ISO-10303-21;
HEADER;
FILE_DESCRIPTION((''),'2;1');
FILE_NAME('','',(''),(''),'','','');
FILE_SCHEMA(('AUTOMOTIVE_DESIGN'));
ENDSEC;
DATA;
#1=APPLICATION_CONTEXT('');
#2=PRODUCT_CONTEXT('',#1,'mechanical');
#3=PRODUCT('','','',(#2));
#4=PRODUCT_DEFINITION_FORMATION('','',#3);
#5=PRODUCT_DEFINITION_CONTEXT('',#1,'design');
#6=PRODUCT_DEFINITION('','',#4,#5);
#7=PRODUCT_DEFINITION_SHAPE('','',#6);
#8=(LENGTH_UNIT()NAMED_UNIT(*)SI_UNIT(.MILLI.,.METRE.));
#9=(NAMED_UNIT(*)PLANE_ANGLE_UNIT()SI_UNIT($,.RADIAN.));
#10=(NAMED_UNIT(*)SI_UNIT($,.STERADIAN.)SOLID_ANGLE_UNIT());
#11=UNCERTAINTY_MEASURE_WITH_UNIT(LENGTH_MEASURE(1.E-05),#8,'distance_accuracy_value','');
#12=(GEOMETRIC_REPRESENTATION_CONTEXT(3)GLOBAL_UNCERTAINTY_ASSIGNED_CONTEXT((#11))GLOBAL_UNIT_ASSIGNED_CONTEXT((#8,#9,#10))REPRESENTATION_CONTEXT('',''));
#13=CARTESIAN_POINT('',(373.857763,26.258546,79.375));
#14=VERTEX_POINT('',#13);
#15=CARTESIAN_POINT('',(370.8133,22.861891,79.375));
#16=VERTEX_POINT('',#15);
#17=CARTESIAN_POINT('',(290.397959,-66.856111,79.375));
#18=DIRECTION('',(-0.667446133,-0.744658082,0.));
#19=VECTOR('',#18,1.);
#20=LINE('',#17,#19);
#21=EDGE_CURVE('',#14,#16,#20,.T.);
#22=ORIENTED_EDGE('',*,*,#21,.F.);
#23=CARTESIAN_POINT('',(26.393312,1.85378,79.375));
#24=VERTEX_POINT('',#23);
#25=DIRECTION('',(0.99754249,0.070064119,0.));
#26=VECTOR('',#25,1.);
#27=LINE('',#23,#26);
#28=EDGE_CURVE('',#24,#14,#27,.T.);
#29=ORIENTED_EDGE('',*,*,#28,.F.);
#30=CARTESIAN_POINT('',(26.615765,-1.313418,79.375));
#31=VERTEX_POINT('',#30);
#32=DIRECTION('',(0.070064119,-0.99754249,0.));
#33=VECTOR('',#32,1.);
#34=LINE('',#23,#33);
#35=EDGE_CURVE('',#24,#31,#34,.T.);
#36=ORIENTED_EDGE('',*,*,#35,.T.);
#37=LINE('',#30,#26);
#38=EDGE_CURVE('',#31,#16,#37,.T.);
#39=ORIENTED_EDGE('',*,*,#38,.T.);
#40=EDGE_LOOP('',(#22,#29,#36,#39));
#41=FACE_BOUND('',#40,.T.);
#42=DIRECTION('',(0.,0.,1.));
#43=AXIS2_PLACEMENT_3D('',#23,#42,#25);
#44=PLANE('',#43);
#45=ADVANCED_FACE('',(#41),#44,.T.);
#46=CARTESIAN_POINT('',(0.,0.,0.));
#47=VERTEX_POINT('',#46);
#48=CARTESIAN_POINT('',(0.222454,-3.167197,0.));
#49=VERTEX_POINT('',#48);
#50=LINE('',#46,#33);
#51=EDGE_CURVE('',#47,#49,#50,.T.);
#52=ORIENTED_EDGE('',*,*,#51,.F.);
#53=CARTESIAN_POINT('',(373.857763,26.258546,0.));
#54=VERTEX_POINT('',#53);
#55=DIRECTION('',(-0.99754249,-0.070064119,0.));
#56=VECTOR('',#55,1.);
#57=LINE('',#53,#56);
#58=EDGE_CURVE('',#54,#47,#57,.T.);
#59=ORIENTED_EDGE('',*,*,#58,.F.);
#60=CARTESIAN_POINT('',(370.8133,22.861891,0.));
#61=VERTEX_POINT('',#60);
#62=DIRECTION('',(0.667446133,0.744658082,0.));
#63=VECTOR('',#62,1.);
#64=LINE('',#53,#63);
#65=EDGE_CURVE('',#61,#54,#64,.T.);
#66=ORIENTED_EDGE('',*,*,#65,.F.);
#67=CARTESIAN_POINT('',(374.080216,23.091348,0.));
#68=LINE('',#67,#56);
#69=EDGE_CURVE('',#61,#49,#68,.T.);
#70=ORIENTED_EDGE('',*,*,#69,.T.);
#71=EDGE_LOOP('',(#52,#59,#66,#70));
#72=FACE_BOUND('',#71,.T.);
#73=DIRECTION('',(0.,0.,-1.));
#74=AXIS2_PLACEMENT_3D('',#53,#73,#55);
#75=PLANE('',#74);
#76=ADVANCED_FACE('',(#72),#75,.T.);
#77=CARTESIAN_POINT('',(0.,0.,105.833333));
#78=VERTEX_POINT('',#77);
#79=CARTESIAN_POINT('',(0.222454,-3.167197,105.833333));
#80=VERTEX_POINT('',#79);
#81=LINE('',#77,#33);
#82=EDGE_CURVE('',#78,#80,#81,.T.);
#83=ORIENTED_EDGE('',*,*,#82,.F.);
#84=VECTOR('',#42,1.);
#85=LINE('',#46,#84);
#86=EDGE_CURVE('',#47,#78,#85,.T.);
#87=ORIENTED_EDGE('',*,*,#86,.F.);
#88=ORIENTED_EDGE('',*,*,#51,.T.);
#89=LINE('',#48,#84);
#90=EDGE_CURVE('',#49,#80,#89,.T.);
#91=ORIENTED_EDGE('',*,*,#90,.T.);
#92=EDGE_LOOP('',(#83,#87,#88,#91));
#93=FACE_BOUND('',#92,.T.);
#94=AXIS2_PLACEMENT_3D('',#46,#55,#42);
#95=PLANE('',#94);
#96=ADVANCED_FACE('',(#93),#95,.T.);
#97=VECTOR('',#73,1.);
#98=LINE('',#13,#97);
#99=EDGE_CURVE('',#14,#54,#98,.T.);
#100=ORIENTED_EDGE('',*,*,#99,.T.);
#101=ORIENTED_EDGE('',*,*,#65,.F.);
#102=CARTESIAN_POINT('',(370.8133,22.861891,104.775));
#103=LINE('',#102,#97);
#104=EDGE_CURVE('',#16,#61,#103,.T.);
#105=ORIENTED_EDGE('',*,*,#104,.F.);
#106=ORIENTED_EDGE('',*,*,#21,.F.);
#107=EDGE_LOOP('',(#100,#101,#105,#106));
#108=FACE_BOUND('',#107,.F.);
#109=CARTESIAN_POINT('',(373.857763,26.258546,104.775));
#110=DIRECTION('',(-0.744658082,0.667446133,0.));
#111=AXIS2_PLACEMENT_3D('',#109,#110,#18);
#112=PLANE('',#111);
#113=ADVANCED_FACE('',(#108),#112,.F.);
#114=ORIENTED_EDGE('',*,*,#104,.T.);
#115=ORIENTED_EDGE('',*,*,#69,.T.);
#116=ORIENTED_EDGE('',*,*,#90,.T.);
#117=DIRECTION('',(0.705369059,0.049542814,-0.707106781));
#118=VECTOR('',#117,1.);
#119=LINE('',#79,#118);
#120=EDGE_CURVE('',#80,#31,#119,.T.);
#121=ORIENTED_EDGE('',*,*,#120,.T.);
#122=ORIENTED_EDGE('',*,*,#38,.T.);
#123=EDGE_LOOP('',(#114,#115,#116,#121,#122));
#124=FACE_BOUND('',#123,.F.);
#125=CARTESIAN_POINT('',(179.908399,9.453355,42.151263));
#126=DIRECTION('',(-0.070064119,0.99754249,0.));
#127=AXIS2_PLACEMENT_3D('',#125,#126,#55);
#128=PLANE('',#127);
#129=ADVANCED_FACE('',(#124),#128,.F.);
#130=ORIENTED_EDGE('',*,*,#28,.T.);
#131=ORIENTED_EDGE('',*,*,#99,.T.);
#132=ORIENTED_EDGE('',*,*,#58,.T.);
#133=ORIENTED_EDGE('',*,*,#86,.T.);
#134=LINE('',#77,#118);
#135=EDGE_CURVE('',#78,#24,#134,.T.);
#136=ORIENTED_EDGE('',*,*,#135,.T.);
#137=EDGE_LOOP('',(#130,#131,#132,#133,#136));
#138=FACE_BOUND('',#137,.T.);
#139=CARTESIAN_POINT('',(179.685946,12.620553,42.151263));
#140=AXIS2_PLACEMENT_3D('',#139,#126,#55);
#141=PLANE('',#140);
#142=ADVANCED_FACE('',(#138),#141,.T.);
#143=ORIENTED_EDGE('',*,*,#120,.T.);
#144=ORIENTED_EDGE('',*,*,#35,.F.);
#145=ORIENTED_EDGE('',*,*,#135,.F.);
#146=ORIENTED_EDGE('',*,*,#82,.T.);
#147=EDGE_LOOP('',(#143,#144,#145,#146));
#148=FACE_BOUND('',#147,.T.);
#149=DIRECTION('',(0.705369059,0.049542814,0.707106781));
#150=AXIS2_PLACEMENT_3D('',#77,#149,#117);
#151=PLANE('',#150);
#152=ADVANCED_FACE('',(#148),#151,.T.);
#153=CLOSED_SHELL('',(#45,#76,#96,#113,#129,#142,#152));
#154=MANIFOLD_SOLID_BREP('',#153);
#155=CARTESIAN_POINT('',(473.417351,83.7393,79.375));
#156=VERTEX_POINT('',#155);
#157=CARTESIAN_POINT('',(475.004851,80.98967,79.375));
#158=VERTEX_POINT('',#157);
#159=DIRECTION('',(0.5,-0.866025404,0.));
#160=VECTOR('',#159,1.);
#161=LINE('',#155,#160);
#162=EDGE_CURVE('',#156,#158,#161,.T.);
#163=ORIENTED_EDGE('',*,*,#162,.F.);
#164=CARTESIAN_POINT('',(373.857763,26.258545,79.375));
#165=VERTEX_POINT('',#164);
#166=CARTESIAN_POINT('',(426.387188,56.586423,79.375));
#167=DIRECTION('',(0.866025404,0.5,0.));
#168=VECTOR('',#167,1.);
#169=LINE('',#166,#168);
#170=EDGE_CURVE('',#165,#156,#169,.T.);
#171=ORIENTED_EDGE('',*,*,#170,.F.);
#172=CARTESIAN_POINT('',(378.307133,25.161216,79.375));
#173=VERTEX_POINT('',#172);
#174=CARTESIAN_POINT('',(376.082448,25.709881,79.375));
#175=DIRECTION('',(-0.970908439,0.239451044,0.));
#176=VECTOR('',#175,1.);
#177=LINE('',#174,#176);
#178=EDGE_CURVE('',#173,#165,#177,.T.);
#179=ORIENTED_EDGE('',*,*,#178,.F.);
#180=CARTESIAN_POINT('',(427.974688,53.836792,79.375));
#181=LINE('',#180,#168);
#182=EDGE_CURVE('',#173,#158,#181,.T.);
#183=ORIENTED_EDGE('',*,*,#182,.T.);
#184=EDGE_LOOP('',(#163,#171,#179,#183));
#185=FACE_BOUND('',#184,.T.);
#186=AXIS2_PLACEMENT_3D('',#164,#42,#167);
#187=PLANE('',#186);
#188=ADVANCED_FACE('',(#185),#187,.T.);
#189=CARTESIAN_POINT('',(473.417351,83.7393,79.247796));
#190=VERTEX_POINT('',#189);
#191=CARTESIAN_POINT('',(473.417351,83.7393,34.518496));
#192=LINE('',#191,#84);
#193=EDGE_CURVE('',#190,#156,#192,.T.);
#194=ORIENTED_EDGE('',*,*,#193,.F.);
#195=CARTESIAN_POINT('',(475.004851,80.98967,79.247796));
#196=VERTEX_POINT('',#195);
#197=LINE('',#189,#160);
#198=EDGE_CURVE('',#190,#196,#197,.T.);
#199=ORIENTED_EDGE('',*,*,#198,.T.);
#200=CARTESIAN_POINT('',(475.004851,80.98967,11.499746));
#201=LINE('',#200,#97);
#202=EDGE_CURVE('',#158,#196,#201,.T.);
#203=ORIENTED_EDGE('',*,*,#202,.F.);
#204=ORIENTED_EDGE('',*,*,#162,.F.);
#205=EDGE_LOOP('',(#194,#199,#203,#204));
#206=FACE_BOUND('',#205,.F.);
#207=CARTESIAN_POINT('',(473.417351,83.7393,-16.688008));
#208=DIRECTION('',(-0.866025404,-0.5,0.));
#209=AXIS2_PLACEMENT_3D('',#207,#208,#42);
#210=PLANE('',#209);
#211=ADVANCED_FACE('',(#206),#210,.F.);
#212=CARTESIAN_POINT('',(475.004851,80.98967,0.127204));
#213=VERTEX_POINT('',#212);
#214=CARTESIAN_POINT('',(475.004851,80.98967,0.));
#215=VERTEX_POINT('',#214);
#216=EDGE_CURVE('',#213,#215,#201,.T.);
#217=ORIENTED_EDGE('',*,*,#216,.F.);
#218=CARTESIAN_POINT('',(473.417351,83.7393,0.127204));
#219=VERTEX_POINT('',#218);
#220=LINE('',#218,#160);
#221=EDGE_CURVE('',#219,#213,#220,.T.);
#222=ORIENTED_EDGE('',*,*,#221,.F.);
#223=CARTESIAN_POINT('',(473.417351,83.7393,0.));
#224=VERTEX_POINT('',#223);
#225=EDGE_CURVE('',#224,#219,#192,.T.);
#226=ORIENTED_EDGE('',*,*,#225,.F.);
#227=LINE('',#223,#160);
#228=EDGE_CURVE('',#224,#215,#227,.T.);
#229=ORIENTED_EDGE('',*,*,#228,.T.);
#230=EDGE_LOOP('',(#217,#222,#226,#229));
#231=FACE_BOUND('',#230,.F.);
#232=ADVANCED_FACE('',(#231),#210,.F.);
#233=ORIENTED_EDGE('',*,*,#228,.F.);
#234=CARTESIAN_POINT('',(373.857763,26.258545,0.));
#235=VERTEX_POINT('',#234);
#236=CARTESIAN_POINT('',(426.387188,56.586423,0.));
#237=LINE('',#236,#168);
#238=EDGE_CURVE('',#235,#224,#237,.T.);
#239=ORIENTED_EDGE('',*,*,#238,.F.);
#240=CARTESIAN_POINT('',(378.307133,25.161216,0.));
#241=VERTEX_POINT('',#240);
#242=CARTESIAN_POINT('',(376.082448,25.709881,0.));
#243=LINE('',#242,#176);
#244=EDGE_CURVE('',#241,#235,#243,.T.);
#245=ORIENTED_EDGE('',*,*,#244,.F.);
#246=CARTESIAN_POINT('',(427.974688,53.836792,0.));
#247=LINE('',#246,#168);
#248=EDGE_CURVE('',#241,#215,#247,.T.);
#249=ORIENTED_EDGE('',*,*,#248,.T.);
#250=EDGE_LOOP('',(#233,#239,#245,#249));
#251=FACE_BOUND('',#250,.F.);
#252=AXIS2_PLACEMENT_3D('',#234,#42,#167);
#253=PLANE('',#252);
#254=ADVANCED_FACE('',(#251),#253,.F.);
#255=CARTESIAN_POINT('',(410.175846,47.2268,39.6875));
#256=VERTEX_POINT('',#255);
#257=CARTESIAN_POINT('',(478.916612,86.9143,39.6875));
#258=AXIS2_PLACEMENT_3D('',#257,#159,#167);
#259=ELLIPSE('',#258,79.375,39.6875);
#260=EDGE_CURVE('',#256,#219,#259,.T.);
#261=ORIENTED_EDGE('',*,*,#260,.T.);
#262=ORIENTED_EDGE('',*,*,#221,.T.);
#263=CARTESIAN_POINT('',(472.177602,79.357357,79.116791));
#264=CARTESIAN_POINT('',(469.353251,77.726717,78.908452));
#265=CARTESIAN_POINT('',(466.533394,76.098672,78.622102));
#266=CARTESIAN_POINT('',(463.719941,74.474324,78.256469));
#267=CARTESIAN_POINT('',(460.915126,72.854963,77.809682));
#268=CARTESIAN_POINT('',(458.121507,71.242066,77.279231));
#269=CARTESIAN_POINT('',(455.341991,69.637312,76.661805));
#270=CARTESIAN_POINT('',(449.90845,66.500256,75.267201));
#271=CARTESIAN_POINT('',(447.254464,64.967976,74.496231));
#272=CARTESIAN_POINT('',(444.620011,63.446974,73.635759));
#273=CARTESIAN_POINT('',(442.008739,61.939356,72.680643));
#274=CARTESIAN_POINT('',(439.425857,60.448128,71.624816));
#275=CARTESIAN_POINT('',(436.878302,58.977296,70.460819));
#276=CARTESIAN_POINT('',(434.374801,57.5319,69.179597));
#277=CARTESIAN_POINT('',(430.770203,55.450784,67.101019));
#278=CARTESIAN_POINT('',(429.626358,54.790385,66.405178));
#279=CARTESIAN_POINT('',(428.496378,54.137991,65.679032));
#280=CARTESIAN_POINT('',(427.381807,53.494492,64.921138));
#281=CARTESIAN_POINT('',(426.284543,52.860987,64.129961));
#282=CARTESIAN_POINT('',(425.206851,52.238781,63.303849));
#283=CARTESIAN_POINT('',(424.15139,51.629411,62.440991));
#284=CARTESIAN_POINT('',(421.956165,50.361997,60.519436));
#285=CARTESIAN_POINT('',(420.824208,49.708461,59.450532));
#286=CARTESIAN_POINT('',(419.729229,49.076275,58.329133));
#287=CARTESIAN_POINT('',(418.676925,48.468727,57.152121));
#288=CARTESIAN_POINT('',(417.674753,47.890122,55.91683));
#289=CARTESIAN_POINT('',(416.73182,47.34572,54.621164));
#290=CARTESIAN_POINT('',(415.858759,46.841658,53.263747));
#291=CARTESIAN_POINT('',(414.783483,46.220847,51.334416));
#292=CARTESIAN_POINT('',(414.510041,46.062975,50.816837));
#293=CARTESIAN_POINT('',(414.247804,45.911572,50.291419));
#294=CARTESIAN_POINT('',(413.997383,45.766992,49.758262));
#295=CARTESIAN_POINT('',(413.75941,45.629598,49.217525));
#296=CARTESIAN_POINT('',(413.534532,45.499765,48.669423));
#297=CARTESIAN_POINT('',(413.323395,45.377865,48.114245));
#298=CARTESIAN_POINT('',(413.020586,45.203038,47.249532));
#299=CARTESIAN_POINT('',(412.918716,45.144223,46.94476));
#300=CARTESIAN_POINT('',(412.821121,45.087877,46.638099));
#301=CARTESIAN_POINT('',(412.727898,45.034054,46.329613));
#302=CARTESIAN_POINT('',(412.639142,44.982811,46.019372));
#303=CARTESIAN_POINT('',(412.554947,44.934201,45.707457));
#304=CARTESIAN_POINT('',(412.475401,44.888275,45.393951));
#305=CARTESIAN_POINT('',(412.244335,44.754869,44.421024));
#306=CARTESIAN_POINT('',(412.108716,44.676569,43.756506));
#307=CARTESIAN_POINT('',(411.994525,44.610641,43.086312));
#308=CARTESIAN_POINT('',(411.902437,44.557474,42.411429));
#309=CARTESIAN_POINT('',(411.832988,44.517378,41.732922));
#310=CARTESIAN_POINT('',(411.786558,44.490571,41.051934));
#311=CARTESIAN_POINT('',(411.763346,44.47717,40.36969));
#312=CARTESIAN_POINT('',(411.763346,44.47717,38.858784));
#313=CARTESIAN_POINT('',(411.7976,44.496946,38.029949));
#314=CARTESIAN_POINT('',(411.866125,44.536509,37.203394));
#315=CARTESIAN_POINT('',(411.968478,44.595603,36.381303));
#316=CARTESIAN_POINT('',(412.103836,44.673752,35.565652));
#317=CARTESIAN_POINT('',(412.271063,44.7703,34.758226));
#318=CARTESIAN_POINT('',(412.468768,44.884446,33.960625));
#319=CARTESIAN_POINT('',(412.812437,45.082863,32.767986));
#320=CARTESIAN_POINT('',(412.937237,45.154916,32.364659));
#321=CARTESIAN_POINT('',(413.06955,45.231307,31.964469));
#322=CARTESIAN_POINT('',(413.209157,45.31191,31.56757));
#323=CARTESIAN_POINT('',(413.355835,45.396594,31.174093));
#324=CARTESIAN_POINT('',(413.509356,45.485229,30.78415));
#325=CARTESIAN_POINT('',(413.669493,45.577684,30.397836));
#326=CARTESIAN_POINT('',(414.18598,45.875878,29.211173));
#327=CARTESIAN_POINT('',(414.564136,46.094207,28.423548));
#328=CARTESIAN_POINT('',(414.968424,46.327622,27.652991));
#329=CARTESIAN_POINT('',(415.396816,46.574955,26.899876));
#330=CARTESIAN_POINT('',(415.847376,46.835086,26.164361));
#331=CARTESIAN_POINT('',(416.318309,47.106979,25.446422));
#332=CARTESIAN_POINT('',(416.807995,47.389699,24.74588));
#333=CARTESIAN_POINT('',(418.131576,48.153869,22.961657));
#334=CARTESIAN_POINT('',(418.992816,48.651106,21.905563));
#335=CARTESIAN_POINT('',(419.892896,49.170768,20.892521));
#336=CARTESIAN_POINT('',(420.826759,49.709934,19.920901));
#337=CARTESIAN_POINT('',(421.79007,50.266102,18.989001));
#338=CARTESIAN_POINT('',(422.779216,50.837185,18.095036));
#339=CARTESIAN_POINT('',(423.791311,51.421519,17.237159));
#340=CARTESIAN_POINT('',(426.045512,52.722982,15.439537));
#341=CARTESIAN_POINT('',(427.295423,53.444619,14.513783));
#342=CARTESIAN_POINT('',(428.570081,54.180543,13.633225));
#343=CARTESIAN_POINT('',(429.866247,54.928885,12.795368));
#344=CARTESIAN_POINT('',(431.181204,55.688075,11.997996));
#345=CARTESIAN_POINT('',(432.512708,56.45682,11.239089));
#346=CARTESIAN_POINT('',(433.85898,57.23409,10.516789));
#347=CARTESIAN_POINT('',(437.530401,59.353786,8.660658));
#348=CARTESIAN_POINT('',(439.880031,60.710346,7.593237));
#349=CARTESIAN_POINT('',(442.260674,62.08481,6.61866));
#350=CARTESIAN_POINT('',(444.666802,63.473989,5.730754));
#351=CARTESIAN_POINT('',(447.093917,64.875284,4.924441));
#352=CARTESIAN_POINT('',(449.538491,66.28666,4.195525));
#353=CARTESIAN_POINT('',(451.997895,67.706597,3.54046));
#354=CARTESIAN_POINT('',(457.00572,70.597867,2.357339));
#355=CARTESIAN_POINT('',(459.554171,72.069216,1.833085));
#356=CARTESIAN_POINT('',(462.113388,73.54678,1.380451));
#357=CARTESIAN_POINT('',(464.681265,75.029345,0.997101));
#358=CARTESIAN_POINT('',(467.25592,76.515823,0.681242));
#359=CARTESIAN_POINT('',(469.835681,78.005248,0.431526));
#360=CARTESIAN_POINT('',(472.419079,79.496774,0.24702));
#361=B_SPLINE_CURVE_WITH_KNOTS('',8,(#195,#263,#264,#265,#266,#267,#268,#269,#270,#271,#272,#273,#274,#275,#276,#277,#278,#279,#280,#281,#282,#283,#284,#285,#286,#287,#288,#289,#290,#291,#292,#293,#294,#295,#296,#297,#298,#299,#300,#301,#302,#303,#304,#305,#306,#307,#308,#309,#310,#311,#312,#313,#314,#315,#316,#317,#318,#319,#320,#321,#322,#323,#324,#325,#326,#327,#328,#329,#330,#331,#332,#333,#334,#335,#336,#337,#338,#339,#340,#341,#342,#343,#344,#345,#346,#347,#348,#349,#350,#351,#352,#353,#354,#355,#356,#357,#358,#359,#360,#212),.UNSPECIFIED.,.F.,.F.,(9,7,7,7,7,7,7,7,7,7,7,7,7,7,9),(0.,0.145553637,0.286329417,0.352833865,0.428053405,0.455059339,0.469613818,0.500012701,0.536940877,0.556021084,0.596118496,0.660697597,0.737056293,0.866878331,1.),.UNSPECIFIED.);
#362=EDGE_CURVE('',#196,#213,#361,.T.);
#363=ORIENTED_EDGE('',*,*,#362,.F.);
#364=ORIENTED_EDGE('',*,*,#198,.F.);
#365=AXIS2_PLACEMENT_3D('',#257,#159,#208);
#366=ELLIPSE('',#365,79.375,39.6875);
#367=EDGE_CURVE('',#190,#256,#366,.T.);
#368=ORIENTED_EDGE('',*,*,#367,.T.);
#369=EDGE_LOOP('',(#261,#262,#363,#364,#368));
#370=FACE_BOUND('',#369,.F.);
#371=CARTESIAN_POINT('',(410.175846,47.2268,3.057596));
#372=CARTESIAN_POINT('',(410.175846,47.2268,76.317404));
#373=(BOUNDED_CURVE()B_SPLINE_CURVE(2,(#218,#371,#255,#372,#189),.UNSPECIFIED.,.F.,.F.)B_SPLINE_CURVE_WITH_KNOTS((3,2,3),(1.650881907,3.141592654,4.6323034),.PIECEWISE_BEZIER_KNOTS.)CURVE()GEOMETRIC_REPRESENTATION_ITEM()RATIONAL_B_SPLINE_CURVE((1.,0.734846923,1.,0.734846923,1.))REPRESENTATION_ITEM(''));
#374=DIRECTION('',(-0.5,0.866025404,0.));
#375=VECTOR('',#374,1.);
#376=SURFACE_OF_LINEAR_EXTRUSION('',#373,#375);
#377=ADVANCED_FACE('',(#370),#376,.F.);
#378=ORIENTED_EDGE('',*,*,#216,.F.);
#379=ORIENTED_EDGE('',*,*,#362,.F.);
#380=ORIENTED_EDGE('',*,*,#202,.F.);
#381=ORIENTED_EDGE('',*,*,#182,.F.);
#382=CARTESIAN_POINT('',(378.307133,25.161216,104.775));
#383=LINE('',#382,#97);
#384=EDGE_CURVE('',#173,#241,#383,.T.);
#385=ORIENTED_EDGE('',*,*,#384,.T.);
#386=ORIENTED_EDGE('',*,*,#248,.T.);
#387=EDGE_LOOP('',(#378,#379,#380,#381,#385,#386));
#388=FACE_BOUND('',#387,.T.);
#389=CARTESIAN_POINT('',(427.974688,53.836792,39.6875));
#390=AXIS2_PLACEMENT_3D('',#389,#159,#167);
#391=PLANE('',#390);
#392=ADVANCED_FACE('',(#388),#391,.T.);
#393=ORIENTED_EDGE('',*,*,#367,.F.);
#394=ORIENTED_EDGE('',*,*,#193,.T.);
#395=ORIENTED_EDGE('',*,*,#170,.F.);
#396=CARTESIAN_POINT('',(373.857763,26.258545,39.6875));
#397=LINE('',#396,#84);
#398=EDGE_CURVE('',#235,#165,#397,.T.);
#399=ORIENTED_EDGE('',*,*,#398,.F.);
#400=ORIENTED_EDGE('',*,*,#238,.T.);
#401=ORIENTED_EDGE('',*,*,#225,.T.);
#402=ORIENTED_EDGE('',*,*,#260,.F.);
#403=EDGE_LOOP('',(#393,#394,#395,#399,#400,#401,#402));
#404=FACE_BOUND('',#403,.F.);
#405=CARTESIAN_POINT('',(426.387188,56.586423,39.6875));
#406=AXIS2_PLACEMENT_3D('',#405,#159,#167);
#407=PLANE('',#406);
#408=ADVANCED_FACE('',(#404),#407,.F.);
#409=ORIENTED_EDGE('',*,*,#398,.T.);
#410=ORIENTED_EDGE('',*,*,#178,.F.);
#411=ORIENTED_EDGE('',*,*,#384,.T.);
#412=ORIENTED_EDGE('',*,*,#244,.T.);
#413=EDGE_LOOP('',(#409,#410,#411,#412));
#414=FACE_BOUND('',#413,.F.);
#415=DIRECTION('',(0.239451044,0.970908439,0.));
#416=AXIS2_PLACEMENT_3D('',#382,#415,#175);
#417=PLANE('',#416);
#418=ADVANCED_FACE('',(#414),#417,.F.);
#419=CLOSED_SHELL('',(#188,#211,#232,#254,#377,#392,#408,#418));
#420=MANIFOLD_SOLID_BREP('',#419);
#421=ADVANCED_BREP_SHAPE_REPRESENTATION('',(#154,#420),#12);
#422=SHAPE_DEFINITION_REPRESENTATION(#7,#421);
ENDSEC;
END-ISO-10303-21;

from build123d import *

# Parameters (mm, degrees)
F3_DEPTH  = 3.175
F5_W      = 121.3115097417
F5_H      = 79.375
F6_DEPTH  = 3.175
F9_DEPTH  = 508
F12_DEPTH = 127
F14_W     = 22.6193475891
F14_H     = 102.4130078614
F15_DEPTH = 78.8076154867
F17_DEPTH = 76.0579848297


with BuildPart() as f3:
    # F2 (on line) → F3 (new body)
    with BuildSketch(Plane(origin=(0, 0, 0), x_dir=(-0.9975424899, -0.0700641192, 0), z_dir=(-0.0700641192, 0.9975424899, 0))):
        Polygon((-374.7787855402, 79.375), (-374.7787855402, 0), (0, 0), (0, 105.8333333333), (-26.4583333333, 79.375), align=None)
    extrude(amount=-F3_DEPTH)


with BuildPart() as f6:
    # F5 (on line) → F6 (new body)
    with BuildSketch(Plane(origin=(82.0941569891, -142.1912509096, 0), x_dir=(0.8660254038, 0.5, 0), z_dir=(0.5, -0.8660254038, 0))):
        with Locations((397.5553476934, 39.6875)):
            Rectangle(F5_W, F5_H)
    extrude(amount=F6_DEPTH)


with BuildPart() as f9_tool:
    # F8 (on offset) → F9 (new body)
    with BuildSketch(Plane.XY.offset(104.775)):
        Polygon((374.0802164765, 23.0913480962), (375.4452628981, 23.5089148446), (378.3071328128, 25.1612162103), (373.8577628981, 26.2585455017), (370.8132995806, 22.8618905471), (373.1291867382, 23.0245508804), align=None)
    extrude(amount=-F9_DEPTH)


with BuildPart() as f3_1:
    add(f3.part)

    # F9: cut by f9_tool
    add(f9_tool.part, mode=Mode.SUBTRACT)


with BuildPart() as f6_1:
    add(f6.part)

    # F9: cut by f9_tool
    add(f9_tool.part, mode=Mode.SUBTRACT)

    # F11 (on face) → F12 (cut, symmetric)
    with BuildSketch(Plane(origin=(478.9166121058, 0, 0), x_dir=(0, -1, 0), z_dir=(-1, 0, 0))):
        with BuildLine():
            ThreePointArc((-47.2268003725, 39.6875), (-58.8509999942, 67.7508003783), (-86.9143003725, 79.375))
            Line((-86.9143003725, 79.375), (-86.9143003725, 0))
            ThreePointArc((-86.9143003725, 0), (-58.8509999942, 11.6241996217), (-47.2268003725, 39.6875))
        make_face()
        with BuildLine():
            Line((-86.9143003725, 0), (-86.9143003725, 79.375))
            ThreePointArc((-86.9143003725, 79.375), (-126.6018003725, 39.6875), (-86.9143003725, 0))
        make_face()
    extrude(amount=F12_DEPTH, both=True, mode=Mode.SUBTRACT)

    # F14 (on offset) → F15 (cut, through all)
    with BuildSketch(Plane(origin=(82.0941569891, -142.1912509096, 0), x_dir=(-0.8660254038, -0.5, 0), z_dir=(-0.5, 0.8660254038, 0))):
        with Locations((-463.1707763588, 34.5184960693)):
            Rectangle(F14_W, F14_H)
    extrude(amount=-F15_DEPTH, mode=Mode.SUBTRACT)

    # F16 (on offset) → F17 (cut, through all)
    with BuildSketch(Plane(origin=(82.0941569891, -142.1912509096, 0), x_dir=(-0.8660254038, -0.5, 0), z_dir=(-0.5, 0.8660254038, 0))):
        with BuildLine():
            Line((-465.6792283058, 0.1272038529), (-451.8611025642, 0.1272038529))
            add(Edge.make_bspline(
                [(-451.8611025642, 0.1272038529), (-378.8361025642, 3.05759616), (-378.8361025642, 39.6875), (-378.8361025642, 76.31740384), (-451.8611025642, 79.2477961471)],
                knots=[1.6508819068, 1.6508819068, 1.6508819068, 3.1415926536, 3.1415926536, 4.6323034004, 4.6323034004, 4.6323034004], degree=2, weights=[1, 0.7348469228, 1, 0.7348469228, 1]))
            Line((-451.8611025642, 79.2477961471), (-465.6792283058, 79.2477961471))
            Line((-465.6792283058, 79.2477961471), (-465.6792283058, 0.1272038529))
        make_face()
    extrude(amount=-F17_DEPTH, mode=Mode.SUBTRACT)


solid = Compound([f3_1.part, f6_1.part])
